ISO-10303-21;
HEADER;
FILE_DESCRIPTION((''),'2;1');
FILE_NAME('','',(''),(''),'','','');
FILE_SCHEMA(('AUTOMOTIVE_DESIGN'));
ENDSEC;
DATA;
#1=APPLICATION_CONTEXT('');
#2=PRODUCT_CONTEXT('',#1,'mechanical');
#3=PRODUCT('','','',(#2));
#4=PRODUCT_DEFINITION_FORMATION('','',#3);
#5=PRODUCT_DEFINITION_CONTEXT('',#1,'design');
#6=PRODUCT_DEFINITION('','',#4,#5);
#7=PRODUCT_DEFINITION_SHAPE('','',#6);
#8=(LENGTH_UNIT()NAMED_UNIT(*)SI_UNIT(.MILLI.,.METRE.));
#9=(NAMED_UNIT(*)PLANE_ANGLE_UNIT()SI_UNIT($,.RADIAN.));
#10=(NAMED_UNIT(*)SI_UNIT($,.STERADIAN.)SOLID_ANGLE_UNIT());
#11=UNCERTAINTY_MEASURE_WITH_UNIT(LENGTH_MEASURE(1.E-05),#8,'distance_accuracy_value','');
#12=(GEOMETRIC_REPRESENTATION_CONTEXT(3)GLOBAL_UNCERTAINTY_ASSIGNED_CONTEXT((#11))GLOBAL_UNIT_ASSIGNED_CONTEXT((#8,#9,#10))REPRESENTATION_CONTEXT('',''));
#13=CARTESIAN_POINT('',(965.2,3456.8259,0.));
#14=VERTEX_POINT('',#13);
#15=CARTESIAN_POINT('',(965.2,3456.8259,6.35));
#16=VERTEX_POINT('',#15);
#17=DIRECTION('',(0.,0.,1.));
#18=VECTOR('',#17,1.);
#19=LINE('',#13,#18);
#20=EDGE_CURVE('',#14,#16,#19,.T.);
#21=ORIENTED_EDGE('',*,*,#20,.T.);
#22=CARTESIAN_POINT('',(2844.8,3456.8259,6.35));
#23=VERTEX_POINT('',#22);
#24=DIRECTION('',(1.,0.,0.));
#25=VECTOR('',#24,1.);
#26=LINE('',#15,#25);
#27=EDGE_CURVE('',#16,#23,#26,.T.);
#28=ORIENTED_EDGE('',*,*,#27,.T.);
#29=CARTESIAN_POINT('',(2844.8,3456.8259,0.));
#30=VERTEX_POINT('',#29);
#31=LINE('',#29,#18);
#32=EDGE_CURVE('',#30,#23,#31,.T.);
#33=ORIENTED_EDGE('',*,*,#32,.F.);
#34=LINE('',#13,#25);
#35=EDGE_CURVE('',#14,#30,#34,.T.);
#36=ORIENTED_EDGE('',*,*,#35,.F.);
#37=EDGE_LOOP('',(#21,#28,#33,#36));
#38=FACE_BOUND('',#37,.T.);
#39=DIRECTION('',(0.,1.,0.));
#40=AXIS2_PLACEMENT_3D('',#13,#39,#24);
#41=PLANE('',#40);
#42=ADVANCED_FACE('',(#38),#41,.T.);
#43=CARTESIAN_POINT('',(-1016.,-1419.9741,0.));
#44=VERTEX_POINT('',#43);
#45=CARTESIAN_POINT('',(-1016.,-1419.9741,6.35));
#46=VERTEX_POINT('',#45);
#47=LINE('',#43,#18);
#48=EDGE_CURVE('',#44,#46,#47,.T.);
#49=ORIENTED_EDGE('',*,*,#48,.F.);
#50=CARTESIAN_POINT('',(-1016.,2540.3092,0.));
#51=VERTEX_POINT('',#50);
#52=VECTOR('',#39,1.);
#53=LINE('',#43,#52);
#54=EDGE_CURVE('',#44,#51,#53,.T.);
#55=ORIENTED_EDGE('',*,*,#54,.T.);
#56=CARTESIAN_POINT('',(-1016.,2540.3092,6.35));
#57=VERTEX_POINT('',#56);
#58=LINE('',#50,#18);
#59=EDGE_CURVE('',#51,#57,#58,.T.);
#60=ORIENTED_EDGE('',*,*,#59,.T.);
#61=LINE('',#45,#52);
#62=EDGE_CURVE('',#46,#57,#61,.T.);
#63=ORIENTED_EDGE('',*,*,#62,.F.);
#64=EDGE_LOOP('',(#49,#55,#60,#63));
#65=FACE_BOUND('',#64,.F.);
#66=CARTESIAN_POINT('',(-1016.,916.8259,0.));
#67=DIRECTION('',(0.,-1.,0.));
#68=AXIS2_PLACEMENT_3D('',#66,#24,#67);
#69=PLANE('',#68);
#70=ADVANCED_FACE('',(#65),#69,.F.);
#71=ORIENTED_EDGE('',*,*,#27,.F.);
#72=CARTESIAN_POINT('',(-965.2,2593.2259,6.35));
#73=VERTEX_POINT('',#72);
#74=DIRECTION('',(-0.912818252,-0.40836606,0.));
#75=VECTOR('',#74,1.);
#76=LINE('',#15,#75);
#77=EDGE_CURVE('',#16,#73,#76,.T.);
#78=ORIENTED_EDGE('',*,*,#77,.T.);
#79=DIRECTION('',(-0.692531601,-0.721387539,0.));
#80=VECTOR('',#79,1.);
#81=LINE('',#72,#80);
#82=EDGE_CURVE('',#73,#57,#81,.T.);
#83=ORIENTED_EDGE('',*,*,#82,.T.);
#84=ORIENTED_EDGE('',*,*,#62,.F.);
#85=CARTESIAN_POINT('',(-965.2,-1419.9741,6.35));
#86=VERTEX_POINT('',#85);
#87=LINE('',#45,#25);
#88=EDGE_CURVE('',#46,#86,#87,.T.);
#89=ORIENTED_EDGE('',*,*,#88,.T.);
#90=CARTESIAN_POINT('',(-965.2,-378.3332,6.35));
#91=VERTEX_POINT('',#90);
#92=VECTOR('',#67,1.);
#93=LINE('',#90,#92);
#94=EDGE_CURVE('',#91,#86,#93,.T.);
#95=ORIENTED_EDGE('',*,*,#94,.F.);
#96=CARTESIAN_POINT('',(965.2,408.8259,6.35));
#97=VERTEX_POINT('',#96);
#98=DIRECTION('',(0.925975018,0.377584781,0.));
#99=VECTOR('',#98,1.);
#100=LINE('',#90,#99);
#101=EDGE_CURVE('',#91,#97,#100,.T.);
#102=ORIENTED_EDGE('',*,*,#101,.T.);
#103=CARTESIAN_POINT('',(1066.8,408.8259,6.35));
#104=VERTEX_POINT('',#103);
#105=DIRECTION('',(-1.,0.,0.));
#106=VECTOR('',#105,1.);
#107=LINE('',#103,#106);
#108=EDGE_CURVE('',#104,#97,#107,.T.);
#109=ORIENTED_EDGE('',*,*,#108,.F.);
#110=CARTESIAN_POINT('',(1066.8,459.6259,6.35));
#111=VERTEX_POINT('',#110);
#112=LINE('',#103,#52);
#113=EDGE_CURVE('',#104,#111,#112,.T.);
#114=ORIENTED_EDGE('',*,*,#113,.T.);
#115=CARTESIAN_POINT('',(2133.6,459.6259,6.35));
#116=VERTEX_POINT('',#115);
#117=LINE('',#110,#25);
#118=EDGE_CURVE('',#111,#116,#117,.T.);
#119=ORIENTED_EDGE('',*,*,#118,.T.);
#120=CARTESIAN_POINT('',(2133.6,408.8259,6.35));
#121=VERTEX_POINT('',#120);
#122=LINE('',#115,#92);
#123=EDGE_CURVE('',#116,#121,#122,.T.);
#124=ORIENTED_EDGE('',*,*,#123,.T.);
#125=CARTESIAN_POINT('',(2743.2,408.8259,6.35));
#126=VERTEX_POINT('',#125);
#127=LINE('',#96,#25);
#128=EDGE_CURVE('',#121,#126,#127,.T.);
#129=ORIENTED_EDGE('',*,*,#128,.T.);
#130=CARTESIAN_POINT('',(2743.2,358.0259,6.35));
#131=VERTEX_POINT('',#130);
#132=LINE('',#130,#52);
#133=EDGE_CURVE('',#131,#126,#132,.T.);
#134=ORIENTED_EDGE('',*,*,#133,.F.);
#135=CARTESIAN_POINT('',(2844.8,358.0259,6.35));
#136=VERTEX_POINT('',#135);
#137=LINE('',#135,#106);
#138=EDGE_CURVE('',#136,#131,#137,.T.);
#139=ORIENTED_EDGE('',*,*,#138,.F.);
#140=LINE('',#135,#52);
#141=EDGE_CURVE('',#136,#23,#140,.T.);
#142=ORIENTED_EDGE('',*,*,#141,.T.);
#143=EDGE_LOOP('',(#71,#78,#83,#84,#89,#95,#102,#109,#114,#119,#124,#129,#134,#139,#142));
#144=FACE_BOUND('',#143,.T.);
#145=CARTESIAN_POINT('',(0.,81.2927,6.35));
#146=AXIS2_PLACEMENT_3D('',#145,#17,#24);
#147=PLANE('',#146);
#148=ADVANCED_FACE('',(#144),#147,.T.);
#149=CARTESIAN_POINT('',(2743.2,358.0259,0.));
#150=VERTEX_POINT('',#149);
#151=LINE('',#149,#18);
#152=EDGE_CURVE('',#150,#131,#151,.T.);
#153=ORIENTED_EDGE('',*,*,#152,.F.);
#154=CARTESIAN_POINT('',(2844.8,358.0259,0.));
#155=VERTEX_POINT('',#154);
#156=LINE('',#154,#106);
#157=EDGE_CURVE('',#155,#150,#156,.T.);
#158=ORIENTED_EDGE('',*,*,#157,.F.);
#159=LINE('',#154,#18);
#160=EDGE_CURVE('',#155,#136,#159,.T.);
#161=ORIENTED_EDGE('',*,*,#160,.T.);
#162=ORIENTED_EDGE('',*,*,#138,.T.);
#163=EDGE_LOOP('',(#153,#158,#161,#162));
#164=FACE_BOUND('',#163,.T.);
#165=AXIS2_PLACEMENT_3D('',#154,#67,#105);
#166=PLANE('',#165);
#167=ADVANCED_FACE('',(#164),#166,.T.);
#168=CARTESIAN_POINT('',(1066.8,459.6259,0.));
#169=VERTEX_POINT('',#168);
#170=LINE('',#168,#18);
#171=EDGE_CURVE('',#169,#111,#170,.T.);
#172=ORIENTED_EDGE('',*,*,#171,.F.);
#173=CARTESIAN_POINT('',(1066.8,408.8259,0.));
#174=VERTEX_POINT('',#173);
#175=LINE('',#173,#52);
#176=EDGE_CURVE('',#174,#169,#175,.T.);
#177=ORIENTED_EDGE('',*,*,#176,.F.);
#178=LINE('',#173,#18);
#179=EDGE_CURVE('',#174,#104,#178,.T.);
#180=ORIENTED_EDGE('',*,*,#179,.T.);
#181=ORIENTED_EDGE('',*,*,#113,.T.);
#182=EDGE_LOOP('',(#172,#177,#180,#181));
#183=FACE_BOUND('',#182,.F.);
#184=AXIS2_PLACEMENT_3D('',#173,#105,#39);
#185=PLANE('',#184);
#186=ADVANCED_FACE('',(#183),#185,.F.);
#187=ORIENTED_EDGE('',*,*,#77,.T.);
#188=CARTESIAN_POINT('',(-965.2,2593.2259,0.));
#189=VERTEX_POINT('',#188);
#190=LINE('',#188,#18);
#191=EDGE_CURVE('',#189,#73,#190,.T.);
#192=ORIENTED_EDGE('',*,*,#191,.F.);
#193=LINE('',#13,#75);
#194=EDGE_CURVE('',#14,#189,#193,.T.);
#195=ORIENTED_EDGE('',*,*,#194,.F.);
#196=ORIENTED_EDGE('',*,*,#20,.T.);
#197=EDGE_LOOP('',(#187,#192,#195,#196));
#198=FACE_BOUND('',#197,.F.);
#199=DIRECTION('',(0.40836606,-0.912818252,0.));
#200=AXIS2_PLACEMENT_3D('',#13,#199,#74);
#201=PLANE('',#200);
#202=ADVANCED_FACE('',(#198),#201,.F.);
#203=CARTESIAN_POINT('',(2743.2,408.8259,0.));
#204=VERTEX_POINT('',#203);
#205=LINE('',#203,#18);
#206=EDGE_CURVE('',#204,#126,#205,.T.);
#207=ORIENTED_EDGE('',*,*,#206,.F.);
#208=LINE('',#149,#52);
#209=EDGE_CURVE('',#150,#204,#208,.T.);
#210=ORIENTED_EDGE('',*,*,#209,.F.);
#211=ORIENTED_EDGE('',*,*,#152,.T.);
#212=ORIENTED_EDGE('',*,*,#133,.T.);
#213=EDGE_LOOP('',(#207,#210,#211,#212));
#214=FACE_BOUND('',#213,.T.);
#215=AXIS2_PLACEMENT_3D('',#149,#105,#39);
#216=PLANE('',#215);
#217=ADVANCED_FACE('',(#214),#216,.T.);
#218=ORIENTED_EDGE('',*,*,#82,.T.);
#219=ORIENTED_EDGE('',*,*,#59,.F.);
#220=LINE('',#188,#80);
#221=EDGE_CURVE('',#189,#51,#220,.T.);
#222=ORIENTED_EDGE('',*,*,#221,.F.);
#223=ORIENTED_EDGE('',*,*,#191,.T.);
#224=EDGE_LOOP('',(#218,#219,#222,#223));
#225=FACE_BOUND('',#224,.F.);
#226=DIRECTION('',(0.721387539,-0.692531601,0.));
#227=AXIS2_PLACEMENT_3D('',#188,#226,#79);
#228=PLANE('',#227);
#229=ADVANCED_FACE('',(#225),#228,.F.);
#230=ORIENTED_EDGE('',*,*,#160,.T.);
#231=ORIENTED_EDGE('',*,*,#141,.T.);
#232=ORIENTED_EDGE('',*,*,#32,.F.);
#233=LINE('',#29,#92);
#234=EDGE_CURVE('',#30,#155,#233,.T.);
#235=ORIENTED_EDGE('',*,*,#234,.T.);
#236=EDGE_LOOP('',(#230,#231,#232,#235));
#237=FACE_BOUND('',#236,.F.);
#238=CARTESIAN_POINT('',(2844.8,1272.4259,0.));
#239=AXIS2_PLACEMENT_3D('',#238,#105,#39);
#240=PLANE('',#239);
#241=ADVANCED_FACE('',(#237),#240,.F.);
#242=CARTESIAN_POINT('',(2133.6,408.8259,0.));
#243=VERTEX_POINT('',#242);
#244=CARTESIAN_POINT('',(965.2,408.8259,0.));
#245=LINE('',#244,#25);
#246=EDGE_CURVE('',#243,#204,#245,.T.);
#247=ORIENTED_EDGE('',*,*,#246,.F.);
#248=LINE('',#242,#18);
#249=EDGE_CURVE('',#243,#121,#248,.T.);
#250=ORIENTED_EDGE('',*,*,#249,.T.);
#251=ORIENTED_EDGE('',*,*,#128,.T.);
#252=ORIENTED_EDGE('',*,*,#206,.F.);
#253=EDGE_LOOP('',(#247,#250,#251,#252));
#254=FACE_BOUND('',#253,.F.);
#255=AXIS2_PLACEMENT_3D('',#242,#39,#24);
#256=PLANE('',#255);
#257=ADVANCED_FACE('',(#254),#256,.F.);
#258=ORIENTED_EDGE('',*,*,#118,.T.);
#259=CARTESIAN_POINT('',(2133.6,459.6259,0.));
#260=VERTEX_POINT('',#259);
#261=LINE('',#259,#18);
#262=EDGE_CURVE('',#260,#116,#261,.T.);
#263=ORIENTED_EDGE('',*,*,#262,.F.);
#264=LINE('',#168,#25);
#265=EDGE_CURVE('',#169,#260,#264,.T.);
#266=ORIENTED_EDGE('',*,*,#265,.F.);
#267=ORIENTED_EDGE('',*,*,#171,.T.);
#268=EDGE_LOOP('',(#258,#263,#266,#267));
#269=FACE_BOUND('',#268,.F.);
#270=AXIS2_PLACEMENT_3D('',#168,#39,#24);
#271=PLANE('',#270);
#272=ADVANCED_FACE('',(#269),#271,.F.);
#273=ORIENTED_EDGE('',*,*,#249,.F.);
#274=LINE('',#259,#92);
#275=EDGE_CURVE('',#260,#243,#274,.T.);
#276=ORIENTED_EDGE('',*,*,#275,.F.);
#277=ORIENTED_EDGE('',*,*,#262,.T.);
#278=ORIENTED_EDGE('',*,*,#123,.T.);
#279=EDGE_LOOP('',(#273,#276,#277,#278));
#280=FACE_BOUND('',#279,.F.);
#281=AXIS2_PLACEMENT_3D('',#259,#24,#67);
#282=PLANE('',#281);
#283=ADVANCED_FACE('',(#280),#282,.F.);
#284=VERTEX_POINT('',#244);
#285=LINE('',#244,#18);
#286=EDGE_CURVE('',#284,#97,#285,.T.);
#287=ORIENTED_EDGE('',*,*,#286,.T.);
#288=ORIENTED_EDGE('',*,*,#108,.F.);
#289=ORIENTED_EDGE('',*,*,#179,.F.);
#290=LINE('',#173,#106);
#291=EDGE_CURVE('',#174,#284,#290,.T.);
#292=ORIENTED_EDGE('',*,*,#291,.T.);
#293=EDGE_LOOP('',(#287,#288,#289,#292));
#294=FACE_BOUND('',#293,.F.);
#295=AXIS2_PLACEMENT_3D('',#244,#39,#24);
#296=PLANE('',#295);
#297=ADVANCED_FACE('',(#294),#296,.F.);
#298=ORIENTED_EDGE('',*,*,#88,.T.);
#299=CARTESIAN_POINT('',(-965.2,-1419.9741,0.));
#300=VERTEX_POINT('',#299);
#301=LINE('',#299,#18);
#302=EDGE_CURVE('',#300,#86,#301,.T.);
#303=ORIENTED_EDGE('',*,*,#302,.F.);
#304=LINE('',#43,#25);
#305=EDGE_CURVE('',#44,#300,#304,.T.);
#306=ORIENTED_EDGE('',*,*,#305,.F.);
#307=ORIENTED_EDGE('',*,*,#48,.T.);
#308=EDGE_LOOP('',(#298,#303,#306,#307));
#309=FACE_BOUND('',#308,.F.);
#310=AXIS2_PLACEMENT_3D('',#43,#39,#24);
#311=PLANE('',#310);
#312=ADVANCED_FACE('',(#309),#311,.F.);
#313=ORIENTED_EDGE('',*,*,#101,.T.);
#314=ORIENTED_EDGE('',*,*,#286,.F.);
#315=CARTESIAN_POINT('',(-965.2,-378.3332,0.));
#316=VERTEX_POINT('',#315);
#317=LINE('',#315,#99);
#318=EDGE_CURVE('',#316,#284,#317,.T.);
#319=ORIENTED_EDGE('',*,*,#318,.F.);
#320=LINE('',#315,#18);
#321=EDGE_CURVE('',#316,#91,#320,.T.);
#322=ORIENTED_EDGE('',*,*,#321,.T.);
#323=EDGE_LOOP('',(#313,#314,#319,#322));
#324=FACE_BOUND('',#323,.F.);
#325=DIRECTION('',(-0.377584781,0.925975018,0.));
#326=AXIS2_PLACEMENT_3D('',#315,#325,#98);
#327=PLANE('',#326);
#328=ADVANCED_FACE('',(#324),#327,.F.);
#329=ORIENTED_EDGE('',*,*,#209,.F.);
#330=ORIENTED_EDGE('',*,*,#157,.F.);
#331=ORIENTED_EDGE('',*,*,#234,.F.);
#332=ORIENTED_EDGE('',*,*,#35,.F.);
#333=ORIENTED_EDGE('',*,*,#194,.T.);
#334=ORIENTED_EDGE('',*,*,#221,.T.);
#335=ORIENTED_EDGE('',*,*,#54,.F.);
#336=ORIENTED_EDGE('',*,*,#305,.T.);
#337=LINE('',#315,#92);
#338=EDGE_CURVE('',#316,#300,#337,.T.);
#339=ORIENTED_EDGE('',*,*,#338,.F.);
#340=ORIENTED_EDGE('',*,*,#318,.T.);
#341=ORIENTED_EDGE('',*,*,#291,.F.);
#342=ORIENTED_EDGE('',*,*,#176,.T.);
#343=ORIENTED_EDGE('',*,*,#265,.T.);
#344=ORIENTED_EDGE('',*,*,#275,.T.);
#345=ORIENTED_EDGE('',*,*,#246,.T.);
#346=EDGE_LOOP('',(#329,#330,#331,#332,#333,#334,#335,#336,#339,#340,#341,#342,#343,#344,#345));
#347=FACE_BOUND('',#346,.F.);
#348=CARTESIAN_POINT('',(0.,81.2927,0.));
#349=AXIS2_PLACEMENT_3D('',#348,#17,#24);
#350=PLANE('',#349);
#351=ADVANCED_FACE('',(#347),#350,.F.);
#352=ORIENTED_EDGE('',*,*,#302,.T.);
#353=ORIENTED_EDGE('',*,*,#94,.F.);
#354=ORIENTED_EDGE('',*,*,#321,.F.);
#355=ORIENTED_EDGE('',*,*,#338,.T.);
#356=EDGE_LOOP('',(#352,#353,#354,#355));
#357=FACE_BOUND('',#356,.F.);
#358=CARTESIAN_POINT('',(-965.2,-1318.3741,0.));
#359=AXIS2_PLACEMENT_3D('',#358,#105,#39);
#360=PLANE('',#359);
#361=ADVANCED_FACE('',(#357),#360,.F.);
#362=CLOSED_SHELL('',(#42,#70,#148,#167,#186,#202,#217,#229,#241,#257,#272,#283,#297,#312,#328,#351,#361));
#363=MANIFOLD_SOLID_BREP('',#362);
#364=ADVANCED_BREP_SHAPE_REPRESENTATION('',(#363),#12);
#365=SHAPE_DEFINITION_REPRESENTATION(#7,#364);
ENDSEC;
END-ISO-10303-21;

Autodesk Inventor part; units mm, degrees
ref_plane "YZ Plane" through (0, 0, 0) normal (1, 0, 0) x (0, 1, 0)
ref_plane "XZ Plane" through (0, 0, 0) normal (0, 1, 0) x (-1, 0, 0)
ref_plane "XY Plane" through (0, 0, 0) normal (0, 0, 1) x (1, 0, 0)
ref_plane "Work Plane1" through (0, 81.2927, 0) normal (0, 0, 1) x (1, 0, 0)
sketch "Sketch1" plane through (0, 81.2927, 0) normal (0, 0, 1) x (1, 0, 0)
  line L0 (-965.2, -459.6259) -> (965.2, 403.9741) projected
  line L1 (-965.2, -1501.2668) -> (-965.2, 835.5332) projected
  line L2 (-965.2, 835.5332) -> (-1016, 835.5332) projected
  line L3 (-1016, 835.5332) -> (-1016, -1501.2668) projected
  line L4 (-1016, -1501.2668) -> (-965.2, -1501.2668) projected
  line L5 (-965.2, 2511.9332) -> (-1016, 2459.0165) projected
  line L6 (-1016, 2459.0165) -> (-1016, 835.5332) projected
  line L7 (-1016, 835.5332) -> (-965.2, 835.5332) projected
  line L8 (-965.2, 835.5332) -> (-965.2, 2511.9332) projected
  line L9 (965.2, 3319.8814) -> (965.2, 3375.5332) projected
  line L10 (965.2, 3375.5332) -> (-965.2, 2511.9332) projected
  line L11 (-965.2, 2511.9332) -> (-965.2, 2456.2814) projected
  line L12 (-965.2, 2456.2814) -> (965.2, 3319.8814) projected
  line L13 (965.2, 327.5332) -> (1016, 327.5332) projected
  line L14 (1016, 327.5332) -> (1016, 3375.5332) projected
  line L15 (965.2, 3375.5332) -> (1016, 3375.5332) projected
  line L16 (965.2, 327.5332) -> (965.2, 3375.5332) projected
  line L17 (1016, 327.5332) -> (1066.8, 327.5332) projected
  line L18 (1066.8, 327.5332) -> (1066.8, 3375.5332) projected
  line L19 (1016, 3375.5332) -> (1066.8, 3375.5332) projected
  line L20 (1016, 327.5332) -> (1016, 3375.5332) projected
  line L21 (1066.8, 3375.5332) -> (1066.8, 3273.9332) projected
  line L22 (1066.8, 3273.9332) -> (2743.2, 3273.9332) projected
  line L23 (2743.2, 3375.5332) -> (2743.2, 3273.9332) projected
  line L24 (1066.8, 3375.5332) -> (2743.2, 3375.5332) projected
  line L25 (2844.8, 3273.9332) -> (2743.2, 3273.9332) projected
  line L26 (2743.2, 3273.9332) -> (2743.2, 1876.9332) projected
  line L27 (2844.8, 1876.9332) -> (2743.2, 1876.9332) projected
  line L28 (2844.8, 3273.9332) -> (2844.8, 1876.9332) projected
  line L29 (2836.6524, 1775.3332) -> (2735.0524, 1775.3332) projected
  line L30 (2735.0524, 1775.3332) -> (2735.0524, 378.3332) projected
  line L31 (2836.6524, 378.3332) -> (2735.0524, 378.3332) projected
  line L32 (2836.6524, 1775.3332) -> (2836.6524, 378.3332) projected
  line L33 (2844.8, 276.7332) -> (2743.2, 276.7332) projected
  line L34 (2743.2, 276.7332) -> (2743.2, -1399.6668) projected
  line L35 (2844.8, -1399.6668) -> (2743.2, -1399.6668) projected
  line L36 (2844.8, 276.7332) -> (2844.8, -1399.6668) projected
  line L37 (2743.2, -1399.6668) -> (2844.8, -1399.6668) projected
  line L38 (2743.2, -1501.2668) -> (2743.2, -1399.6668) projected
  line L39 (2844.8, -1501.2668) -> (2743.2, -1501.2668) projected
  line L40 (2844.8, -1399.6668) -> (2844.8, -1501.2668) projected
  line L41 (1066.8, -1399.6668) -> (1066.8, -1501.2668) projected
  line L42 (1066.8, -1501.2668) -> (2743.2, -1501.2668) projected
  line L43 (2743.2, -1399.6668) -> (2743.2, -1501.2668) projected
  line L44 (1066.8, -1399.6668) -> (2743.2, -1399.6668) projected
  line L45 (965.2, -1399.6668) -> (-965.2, -1399.6668) projected
  line L46 (-965.2, -1399.6668) -> (-965.2, -1501.2668) projected
  line L47 (-965.2, -1501.2668) -> (965.2, -1501.2668) projected
  line L48 (965.2, -1501.2668) -> (965.2, -1399.6668) projected
  line L49 (-1016, -1501.2668) -> (-1016, 2459.0165)
  line L50 (-965.2, 2511.9332) -> (-1016, 2459.0165)
  line L51 (-965.2, 2511.9332) -> (965.2, 3375.5332)
  line L52 (2743.2, 276.7332) -> (2844.8, 276.7332) projected
  line L53 (2844.8, 276.7332) -> (2844.8, 1191.1332) projected
  line L54 (2743.2, 1191.1332) -> (2844.8, 1191.1332) projected
  line L55 (2743.2, 276.7332) -> (2743.2, 1191.1332) projected
  line L56 (2133.6, 378.3332) -> (2133.6, 276.7332) projected
  line L57 (2133.6, 276.7332) -> (2743.2, 276.7332) projected
  line L58 (2743.2, 378.3332) -> (2743.2, 276.7332) projected
  line L59 (2133.6, 378.3332) -> (2743.2, 378.3332) projected
  line L60 (1066.8, 378.3332) -> (1066.8, 276.7332) projected
  line L61 (1066.8, 276.7332) -> (2743.2, 276.7332) projected
  line L62 (2743.2, 378.3332) -> (2743.2, 276.7332) projected
  line L63 (1066.8, 378.3332) -> (2743.2, 378.3332) projected
  line L64 (-965.2, -459.6259) -> (-1016, -459.6259)
  line L65 (-965.2, -459.6259) -> (965.2, 327.5332)
  line L66 (965.2, 327.5332) -> (2844.8, 327.5332)
  line L67 (2844.8, 327.5332) -> (2844.8, 3375.5332)
  line L68 (2844.8, 3375.5332) -> (965.2, 3375.5332)
  line L69 (965.2, 3375.5332) -> (-965.2, 2511.9332)
  line L70 (-965.2, 2511.9332) -> (-1016, 2459.0165)
  line L71 (-1016, 2459.0165) -> (-1016, -459.6259)
  line L72 (965.2, 327.5332) -> (1016, 327.5332) projected
  line L73 (1016, 327.5332) -> (1016, 3375.5332) projected
  line L74 (965.2, 3375.5332) -> (1016, 3375.5332) projected
  line L75 (965.2, 327.5332) -> (965.2, 3375.5332) projected
  line L76 (1016, 327.5332) -> (1066.8, 327.5332) projected
  line L77 (1066.8, 327.5332) -> (1066.8, 3375.5332) projected
  line L78 (1016, 3375.5332) -> (1066.8, 3375.5332) projected
  line L79 (1016, 327.5332) -> (1016, 3375.5332) projected
  point P0 (0, -81.2927)
  point P1 (1066.8, 459.6259)
  point P2 (2735.0524, 378.3332)
  point P3 (2836.6524, 1191.1332)
  point P4 (2844.8, 1191.1332)
  point P5 (2844.8, 1876.9332)
  point P6 (-965.2, -459.6259)
  point P7 (965.2, 3401.1741)
  point P8 (2743.2, 378.3332)
  point P9 (2743.2, 327.5332)
  point P10 (2133.6, 327.5332)
extrude "Extrusion1" add sketch "Sketch1" along normal blind 6.35 contours L1 L8 L12 L16 L0 | L64 L3 L2 L1 | L1 L4 L3 L64 | L0 L16 L65 | L16 L9 L15 L14 L13 | L2 L6 L5 L8 | L12 L8 L10 L9 | L14 L19 L18 L17 | L24 L23 L22 L18 | L18 L22 L26 L27 L67 L54 L32 L29 L30 L59 L63 | L56 L59 L31 L55 L66 | L68 L67 L25 L23 | L66 L53 L33 L55 | L55 L31 L32 L54 L53 L66 | L25 L28 L27 L26 | L30 L29 L32 L54 L55 L31 | L55 L54 L32 L31
properties part number "wrapping paper"
